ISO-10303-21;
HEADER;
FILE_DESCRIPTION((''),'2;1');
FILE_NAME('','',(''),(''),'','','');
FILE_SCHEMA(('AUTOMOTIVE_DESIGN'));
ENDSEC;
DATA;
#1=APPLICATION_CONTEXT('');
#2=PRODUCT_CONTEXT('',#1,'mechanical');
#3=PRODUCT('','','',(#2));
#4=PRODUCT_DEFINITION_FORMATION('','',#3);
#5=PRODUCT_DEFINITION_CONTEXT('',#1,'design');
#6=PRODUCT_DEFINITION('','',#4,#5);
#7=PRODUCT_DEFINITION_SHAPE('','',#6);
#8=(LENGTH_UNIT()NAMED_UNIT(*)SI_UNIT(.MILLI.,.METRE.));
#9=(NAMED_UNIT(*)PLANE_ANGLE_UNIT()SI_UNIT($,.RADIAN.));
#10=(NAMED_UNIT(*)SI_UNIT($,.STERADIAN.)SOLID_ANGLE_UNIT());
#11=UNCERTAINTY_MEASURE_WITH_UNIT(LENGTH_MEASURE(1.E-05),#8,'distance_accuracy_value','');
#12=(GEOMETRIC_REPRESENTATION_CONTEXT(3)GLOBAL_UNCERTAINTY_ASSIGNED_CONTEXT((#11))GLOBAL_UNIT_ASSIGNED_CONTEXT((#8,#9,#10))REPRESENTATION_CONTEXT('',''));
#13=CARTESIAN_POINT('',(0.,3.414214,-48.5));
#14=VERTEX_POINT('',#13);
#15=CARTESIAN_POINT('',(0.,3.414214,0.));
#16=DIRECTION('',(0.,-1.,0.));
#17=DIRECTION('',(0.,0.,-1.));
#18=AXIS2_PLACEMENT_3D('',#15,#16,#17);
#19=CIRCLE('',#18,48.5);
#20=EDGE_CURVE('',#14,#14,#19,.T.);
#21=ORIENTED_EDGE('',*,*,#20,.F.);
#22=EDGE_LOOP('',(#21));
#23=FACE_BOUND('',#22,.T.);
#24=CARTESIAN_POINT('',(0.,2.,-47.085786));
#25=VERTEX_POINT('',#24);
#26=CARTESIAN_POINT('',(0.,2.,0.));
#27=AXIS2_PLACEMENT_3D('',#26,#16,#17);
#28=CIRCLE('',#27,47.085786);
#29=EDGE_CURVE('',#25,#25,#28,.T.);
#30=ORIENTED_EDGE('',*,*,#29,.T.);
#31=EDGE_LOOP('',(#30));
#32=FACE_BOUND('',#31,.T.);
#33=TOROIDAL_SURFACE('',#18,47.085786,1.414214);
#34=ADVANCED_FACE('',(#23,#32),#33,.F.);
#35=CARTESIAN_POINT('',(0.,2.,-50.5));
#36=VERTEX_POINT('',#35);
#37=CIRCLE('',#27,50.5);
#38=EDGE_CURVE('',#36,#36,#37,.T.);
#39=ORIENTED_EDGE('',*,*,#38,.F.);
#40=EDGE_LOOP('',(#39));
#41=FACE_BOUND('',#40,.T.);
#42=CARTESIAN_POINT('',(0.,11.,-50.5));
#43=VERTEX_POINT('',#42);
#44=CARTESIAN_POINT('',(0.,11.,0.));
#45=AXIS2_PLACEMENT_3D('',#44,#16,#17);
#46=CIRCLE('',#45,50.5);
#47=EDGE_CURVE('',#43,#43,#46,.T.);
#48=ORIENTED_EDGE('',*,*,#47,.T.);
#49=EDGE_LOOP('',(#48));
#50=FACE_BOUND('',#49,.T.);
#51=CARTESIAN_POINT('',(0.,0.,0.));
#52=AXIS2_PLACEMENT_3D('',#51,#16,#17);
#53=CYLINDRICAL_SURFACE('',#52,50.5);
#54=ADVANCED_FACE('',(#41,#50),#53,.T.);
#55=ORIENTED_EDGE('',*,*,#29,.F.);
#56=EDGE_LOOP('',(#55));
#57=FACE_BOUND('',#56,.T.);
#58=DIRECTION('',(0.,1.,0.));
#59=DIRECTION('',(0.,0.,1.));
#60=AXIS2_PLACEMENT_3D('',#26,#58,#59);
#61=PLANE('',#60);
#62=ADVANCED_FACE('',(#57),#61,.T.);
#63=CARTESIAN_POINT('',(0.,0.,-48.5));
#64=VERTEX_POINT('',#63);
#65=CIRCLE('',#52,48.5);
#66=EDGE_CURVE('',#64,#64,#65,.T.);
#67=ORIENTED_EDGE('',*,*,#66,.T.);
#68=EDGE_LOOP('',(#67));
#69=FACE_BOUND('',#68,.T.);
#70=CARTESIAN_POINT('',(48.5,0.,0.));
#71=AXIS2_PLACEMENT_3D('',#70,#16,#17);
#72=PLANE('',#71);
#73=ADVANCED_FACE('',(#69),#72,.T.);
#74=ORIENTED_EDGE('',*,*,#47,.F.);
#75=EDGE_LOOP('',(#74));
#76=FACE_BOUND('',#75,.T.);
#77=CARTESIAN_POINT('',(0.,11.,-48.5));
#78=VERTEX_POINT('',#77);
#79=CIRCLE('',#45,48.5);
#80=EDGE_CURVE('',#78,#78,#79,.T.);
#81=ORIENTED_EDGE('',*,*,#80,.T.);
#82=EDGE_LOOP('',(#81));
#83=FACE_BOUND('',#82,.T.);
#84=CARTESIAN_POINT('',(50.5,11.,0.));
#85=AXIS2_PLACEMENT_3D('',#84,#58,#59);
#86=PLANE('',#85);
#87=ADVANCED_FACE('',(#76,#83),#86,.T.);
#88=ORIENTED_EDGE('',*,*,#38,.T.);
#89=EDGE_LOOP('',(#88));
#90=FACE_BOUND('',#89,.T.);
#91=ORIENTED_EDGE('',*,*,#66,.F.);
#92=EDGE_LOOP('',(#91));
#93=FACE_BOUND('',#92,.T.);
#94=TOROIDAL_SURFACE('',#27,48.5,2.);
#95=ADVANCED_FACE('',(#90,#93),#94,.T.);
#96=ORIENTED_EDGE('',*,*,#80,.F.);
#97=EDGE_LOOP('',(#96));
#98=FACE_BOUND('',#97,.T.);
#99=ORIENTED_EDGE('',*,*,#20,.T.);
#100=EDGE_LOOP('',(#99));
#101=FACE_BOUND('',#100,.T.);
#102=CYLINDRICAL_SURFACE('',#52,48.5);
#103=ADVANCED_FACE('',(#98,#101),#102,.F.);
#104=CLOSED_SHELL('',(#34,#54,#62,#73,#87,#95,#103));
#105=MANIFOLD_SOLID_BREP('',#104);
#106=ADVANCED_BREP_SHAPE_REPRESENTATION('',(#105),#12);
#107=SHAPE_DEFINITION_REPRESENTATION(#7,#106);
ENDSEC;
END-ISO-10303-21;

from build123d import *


with BuildPart() as part:
    # Croquis1 → Revolución1 (revolve)
    with BuildSketch(Plane.XY, mode=Mode.PRIVATE) as revoluci_n1_sk:
        with BuildLine():
            Line((48.5, 0), (0, 0))
            Line((0, 0), (0, 2))
            Line((0, 2), (47.085786438, 2))
            ThreePointArc((47.085786438, 2), (48.085786438, 2.414213562), (48.5, 3.414213562))
            Line((48.5, 3.414213562), (48.5, 11))
            Line((48.5, 11), (50.5, 11))
            Line((50.5, 11), (50.5, 2))
            ThreePointArc((50.5, 2), (49.914213562, 0.585786438), (48.5, 0))
        make_face()
    revolve(revoluci_n1_sk.sketch.rotate(Axis((0, 0, 0), (0, 1, 0)), 90), axis=Axis((0, 0, 0), (0, 1, 0)))


solid = part.part
